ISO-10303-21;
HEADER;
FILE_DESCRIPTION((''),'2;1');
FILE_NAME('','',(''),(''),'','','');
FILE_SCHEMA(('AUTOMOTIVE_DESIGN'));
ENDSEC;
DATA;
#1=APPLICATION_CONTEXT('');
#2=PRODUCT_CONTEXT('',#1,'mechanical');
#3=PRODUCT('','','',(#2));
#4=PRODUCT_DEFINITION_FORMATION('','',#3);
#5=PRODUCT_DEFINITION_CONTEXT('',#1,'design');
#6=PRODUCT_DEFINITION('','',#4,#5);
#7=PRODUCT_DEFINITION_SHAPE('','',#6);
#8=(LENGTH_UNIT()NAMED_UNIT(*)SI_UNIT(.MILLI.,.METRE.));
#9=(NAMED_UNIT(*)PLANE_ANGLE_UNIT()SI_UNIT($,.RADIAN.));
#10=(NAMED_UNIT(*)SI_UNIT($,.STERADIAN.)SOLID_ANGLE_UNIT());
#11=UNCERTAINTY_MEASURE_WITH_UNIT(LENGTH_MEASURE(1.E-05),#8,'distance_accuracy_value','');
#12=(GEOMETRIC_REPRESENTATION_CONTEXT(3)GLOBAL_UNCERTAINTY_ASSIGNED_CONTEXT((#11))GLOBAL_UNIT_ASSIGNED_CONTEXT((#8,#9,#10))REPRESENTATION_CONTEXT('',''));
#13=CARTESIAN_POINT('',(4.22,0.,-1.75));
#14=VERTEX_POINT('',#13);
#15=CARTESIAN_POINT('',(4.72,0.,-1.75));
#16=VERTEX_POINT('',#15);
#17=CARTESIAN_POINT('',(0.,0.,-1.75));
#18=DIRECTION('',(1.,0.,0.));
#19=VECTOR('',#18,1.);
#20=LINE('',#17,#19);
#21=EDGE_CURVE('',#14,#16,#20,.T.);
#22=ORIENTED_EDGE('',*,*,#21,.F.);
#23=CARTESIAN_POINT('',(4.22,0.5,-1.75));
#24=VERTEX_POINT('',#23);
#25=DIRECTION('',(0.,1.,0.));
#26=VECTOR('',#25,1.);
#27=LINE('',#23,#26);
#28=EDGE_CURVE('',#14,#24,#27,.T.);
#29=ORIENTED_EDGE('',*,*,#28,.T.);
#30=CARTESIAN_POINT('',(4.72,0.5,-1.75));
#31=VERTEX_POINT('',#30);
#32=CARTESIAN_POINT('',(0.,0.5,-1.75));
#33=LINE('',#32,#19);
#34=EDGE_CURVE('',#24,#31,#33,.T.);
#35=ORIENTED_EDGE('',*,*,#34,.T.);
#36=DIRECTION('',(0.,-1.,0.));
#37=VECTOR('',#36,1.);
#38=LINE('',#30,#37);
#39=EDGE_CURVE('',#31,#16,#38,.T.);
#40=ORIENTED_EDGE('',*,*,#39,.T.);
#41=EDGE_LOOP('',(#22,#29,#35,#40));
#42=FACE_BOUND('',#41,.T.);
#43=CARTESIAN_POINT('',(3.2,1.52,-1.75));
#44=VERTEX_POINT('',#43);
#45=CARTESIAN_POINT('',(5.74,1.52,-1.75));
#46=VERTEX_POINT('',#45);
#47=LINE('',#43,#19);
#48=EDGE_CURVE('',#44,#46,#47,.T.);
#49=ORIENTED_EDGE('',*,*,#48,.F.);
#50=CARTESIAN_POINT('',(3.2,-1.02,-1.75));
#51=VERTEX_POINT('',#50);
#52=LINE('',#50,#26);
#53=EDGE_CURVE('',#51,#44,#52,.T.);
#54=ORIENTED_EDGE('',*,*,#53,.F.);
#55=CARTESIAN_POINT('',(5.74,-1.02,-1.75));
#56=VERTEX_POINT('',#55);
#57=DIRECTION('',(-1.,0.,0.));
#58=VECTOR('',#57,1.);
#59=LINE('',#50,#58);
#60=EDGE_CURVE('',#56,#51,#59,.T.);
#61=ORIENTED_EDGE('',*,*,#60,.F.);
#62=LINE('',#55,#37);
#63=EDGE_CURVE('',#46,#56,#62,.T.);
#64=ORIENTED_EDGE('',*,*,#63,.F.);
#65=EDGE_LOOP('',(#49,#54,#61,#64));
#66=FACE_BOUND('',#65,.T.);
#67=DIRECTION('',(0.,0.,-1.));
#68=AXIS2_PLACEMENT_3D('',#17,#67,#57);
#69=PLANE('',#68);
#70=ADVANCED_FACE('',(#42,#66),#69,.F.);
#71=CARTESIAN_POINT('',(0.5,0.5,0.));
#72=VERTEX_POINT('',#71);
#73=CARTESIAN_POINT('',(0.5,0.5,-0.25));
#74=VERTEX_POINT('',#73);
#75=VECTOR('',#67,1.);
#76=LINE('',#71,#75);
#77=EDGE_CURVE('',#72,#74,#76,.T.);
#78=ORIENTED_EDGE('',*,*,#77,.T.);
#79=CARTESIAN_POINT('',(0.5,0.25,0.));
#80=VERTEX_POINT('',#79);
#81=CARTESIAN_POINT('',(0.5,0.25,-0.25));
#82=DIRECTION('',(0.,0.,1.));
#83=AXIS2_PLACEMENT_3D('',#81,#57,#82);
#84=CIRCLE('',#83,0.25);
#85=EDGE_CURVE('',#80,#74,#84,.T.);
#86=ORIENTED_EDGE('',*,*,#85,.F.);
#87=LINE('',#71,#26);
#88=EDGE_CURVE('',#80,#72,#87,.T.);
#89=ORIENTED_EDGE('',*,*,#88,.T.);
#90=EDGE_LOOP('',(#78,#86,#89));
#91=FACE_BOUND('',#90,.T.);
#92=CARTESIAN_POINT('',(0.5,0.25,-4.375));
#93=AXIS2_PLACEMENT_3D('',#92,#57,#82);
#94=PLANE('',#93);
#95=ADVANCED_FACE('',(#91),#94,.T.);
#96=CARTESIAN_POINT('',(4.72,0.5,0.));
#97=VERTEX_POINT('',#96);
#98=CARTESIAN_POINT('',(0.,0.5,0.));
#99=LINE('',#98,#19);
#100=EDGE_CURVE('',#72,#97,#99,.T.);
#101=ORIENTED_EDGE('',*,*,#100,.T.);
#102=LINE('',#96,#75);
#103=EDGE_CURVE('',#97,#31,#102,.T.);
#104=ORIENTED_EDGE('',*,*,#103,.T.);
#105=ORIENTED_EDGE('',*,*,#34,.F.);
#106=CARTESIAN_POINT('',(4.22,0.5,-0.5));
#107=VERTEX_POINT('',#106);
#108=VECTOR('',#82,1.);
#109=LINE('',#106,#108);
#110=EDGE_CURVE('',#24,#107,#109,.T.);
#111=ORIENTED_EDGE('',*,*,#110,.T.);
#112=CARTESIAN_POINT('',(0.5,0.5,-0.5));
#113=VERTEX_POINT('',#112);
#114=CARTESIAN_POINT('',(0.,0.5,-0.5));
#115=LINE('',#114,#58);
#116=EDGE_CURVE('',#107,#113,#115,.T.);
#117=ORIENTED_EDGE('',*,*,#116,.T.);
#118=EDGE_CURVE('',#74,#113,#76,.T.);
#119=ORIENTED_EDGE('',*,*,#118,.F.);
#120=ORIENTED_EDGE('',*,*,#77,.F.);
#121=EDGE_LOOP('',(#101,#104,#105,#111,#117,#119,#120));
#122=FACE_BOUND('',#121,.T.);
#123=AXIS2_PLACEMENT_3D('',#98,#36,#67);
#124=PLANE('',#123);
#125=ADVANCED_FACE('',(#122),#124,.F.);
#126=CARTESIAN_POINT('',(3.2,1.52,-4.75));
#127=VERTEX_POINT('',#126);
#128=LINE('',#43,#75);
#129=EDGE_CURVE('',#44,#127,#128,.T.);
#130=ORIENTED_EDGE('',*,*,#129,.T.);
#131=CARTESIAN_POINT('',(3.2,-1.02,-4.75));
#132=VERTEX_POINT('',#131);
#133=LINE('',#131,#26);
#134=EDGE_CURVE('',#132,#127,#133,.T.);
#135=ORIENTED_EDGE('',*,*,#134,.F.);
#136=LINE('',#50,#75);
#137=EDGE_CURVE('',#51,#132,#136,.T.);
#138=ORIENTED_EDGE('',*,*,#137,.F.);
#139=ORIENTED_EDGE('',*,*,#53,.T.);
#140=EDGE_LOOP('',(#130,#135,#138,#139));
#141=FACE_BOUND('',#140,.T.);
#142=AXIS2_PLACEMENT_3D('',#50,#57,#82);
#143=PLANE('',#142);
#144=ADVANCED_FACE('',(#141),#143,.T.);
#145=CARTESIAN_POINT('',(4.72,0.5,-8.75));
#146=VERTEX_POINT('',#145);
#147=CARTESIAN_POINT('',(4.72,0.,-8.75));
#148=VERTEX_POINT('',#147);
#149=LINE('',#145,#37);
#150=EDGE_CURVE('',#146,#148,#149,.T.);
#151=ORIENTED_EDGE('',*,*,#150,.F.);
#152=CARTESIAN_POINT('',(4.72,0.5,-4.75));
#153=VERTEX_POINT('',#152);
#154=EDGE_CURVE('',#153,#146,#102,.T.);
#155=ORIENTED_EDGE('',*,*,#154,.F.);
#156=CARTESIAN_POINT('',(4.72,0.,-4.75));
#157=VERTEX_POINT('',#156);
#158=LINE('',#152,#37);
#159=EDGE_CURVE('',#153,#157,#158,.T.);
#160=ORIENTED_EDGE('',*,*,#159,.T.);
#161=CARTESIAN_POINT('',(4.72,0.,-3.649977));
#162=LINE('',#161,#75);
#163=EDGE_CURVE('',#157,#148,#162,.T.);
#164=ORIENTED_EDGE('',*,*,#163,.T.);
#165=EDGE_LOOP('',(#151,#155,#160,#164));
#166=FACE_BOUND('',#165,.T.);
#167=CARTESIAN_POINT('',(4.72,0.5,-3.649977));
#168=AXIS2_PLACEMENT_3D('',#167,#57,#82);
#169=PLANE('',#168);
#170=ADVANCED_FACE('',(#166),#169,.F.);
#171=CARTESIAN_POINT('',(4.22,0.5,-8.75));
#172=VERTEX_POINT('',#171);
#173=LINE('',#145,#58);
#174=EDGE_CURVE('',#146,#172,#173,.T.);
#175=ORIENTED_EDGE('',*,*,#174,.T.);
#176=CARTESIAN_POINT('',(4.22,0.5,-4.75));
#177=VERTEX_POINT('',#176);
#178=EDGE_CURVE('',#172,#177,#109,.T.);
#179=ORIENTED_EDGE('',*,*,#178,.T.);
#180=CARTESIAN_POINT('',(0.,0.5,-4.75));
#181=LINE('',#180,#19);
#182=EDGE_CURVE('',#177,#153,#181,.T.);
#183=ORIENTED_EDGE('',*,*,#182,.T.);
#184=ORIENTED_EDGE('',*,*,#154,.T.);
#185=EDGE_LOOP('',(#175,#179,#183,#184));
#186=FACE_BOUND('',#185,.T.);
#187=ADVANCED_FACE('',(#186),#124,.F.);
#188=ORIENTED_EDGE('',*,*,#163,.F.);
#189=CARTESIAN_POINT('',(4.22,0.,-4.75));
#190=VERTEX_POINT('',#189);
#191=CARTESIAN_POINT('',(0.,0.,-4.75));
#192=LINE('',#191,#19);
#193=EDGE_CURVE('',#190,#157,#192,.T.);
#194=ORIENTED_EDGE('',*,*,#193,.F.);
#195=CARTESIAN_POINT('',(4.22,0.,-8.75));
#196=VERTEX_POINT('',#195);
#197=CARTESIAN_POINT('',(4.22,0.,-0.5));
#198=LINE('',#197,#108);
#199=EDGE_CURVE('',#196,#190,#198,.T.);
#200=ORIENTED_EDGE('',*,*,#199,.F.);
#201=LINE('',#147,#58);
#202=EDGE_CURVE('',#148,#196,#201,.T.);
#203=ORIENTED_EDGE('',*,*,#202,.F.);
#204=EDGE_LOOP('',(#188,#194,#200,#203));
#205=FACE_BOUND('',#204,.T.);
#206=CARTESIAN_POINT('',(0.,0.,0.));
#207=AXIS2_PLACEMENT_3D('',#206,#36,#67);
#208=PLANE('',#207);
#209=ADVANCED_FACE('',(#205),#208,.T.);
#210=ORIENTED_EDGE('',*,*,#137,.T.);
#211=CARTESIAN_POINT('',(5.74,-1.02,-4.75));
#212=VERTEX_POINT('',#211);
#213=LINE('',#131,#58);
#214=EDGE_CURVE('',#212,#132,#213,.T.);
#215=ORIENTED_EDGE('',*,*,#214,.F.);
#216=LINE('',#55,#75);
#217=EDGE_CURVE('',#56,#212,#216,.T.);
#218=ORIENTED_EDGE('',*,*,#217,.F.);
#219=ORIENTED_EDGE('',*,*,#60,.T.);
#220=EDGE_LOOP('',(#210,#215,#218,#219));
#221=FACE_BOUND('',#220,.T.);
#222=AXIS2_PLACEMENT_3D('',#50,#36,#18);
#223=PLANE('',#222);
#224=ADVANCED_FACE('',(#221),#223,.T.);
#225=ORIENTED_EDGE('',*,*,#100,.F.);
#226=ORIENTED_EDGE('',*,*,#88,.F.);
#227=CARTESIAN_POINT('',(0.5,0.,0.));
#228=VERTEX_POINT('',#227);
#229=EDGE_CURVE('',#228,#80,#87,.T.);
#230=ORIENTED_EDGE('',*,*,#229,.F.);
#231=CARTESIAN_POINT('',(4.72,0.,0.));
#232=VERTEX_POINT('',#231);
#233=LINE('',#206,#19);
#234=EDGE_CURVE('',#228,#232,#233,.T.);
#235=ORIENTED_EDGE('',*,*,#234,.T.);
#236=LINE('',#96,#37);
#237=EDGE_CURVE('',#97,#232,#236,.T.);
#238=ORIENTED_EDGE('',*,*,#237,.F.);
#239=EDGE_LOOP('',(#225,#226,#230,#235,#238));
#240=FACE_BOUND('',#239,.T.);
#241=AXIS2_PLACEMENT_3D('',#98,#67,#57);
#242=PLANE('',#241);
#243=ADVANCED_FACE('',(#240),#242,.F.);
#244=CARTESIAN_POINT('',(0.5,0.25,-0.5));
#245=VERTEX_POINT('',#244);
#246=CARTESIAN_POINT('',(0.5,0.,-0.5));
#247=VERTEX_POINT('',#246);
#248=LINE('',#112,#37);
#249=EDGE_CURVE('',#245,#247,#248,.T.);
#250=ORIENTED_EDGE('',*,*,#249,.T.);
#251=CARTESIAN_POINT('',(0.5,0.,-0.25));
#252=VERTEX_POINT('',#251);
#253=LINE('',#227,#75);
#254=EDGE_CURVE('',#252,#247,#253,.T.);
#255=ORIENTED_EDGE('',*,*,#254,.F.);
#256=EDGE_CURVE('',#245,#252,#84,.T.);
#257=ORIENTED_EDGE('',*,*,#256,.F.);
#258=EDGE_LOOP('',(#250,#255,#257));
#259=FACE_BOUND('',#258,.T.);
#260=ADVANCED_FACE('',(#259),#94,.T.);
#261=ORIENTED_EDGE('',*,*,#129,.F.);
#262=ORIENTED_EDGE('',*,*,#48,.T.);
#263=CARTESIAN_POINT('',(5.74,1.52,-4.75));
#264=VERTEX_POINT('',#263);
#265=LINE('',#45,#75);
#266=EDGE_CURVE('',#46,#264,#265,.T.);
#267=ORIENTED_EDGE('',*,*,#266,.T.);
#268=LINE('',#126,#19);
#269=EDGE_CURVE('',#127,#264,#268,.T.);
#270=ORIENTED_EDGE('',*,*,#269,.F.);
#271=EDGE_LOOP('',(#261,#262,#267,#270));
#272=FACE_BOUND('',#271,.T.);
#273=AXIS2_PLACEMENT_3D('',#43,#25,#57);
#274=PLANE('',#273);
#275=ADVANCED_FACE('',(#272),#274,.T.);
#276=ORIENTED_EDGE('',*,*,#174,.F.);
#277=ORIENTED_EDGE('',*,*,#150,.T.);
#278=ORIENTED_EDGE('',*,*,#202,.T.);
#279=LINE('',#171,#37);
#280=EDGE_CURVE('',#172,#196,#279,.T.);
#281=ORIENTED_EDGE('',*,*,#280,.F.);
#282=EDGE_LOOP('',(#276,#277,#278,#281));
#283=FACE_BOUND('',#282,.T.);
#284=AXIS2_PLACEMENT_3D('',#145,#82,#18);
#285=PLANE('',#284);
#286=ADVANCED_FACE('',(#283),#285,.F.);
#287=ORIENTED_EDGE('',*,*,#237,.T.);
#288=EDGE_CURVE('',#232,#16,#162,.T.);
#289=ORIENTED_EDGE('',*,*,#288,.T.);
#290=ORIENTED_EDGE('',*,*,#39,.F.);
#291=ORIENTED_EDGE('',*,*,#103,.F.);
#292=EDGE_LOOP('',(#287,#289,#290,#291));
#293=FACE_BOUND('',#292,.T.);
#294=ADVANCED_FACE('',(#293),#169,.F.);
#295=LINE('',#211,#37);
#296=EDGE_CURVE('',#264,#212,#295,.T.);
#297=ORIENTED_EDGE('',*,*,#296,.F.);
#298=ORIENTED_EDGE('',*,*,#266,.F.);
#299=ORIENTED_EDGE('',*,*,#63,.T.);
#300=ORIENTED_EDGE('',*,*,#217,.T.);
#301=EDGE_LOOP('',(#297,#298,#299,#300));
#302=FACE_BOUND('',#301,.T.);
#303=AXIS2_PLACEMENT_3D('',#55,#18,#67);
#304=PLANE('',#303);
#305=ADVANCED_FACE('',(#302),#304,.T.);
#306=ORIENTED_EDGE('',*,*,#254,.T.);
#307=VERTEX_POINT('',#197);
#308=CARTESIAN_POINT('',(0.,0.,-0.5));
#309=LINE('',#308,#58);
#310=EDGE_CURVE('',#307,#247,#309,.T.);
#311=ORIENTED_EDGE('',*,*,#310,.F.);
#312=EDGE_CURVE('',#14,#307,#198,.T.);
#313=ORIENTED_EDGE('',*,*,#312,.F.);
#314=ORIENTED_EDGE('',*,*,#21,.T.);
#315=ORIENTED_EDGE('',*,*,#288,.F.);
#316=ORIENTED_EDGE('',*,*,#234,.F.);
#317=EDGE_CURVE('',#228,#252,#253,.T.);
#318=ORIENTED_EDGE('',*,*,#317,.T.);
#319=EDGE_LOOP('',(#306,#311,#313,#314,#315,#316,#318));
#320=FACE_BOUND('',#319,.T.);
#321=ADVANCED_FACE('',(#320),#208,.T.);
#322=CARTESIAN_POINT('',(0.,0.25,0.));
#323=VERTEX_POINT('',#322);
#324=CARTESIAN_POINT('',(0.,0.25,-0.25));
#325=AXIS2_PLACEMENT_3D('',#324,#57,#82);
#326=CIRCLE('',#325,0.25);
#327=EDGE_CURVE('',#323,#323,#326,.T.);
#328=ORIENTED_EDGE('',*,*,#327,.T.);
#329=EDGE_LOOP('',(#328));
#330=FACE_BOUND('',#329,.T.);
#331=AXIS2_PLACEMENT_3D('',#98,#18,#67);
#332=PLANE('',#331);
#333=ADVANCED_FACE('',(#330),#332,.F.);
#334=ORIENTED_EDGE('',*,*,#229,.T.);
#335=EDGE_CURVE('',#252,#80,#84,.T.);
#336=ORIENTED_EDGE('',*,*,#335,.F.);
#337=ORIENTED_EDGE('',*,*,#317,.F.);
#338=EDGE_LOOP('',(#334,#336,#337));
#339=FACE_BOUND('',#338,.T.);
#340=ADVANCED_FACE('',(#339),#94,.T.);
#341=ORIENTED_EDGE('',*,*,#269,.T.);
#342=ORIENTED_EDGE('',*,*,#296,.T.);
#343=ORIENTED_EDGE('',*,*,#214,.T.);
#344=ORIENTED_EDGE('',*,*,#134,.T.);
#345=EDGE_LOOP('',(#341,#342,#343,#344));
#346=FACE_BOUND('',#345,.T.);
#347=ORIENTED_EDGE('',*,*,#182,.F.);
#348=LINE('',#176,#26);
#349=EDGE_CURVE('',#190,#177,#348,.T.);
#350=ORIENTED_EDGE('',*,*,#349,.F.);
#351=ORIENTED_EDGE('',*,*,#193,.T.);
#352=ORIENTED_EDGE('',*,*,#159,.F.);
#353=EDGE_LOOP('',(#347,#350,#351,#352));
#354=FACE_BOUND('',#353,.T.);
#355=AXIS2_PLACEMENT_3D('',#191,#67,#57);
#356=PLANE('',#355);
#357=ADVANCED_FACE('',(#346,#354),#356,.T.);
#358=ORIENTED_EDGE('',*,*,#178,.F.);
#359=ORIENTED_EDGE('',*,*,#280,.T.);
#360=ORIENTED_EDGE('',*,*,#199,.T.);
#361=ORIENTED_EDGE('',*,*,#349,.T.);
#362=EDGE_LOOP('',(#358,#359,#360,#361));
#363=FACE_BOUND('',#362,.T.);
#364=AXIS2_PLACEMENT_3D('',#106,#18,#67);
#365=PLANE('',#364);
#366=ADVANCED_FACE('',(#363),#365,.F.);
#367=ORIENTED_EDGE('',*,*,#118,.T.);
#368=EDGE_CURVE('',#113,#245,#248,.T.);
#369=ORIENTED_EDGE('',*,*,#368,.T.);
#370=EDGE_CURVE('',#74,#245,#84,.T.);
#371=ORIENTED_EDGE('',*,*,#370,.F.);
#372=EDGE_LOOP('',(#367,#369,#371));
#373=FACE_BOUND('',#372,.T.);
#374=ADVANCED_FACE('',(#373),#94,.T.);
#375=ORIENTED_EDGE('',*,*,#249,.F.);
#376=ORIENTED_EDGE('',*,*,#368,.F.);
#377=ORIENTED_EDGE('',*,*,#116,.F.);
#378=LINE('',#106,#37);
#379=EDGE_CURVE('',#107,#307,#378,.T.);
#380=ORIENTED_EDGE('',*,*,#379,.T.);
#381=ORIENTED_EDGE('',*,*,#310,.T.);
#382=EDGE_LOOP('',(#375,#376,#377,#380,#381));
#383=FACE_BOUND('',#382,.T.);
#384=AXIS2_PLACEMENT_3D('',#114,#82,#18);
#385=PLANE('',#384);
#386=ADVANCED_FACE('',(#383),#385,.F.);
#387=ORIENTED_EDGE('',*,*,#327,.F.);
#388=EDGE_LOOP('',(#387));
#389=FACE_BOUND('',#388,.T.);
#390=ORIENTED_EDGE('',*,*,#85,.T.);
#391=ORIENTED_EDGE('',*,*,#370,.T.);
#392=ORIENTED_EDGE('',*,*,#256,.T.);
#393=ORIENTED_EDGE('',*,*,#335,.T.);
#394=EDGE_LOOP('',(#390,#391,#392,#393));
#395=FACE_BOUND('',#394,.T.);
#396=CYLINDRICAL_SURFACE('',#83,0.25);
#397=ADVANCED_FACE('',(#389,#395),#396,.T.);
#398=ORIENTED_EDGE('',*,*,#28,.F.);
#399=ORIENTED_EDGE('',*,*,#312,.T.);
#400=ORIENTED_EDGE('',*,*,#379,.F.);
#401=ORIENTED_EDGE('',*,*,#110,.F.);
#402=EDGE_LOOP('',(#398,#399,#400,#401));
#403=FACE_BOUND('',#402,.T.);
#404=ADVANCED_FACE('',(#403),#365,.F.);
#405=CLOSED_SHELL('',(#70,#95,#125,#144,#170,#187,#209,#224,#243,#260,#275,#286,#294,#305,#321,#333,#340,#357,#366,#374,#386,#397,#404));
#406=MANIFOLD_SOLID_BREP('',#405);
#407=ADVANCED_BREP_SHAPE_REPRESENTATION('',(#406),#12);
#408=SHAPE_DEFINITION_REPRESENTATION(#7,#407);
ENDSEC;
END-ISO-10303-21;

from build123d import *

# Parameters (mm, degrees)
BOSS_EXTRUDE1_DEPTH = 0.5
SKETCH2_W           = 2.54
SKETCH2_H           = 2.54
BOSS_EXTRUDE2_DEPTH = 3
SKETCH3_OUTSIDE_W   = 12.904
SKETCH3_OUTSIDE_H   = 6.694
SKETCH3_OUTSIDE_R   = 0.25
CUT_EXTRUDE1_DEPTH  = 0.5


with BuildPart() as part:
    # Sketch1 → Boss-Extrude1 (new body)
    with BuildSketch(Plane(origin=(0, 0, 0), x_dir=(1, 0, 0), z_dir=(0, 1, 0))):
        Polygon((0, 0), (4.72, 0), (4.72, 3.649976519), (4.72, 8.75), (4.22, 8.75), (4.22, 0.5), (0, 0.5), align=None)
    extrude(amount=BOSS_EXTRUDE1_DEPTH)

    # Sketch2 → Boss-Extrude2 (add)
    with BuildSketch(Plane(origin=(0, 0, -4.75), x_dir=(-1, 0, 0), z_dir=(0, 0, -1))):
        with Locations((-4.47, 0.25)):
            Rectangle(SKETCH2_W, SKETCH2_H)
    extrude(amount=-BOSS_EXTRUDE2_DEPTH)

    # Sketch3 outside → Cut-Extrude1 (cut)
    with BuildSketch(Plane.ZY):
        with Locations((-4.375, 0.25)):
            Rectangle(SKETCH3_OUTSIDE_W, SKETCH3_OUTSIDE_H)
        with Locations((-0.25, 0.25)):
            Circle(SKETCH3_OUTSIDE_R, mode=Mode.SUBTRACT)
    extrude(amount=-CUT_EXTRUDE1_DEPTH, mode=Mode.SUBTRACT)


solid = part.part
